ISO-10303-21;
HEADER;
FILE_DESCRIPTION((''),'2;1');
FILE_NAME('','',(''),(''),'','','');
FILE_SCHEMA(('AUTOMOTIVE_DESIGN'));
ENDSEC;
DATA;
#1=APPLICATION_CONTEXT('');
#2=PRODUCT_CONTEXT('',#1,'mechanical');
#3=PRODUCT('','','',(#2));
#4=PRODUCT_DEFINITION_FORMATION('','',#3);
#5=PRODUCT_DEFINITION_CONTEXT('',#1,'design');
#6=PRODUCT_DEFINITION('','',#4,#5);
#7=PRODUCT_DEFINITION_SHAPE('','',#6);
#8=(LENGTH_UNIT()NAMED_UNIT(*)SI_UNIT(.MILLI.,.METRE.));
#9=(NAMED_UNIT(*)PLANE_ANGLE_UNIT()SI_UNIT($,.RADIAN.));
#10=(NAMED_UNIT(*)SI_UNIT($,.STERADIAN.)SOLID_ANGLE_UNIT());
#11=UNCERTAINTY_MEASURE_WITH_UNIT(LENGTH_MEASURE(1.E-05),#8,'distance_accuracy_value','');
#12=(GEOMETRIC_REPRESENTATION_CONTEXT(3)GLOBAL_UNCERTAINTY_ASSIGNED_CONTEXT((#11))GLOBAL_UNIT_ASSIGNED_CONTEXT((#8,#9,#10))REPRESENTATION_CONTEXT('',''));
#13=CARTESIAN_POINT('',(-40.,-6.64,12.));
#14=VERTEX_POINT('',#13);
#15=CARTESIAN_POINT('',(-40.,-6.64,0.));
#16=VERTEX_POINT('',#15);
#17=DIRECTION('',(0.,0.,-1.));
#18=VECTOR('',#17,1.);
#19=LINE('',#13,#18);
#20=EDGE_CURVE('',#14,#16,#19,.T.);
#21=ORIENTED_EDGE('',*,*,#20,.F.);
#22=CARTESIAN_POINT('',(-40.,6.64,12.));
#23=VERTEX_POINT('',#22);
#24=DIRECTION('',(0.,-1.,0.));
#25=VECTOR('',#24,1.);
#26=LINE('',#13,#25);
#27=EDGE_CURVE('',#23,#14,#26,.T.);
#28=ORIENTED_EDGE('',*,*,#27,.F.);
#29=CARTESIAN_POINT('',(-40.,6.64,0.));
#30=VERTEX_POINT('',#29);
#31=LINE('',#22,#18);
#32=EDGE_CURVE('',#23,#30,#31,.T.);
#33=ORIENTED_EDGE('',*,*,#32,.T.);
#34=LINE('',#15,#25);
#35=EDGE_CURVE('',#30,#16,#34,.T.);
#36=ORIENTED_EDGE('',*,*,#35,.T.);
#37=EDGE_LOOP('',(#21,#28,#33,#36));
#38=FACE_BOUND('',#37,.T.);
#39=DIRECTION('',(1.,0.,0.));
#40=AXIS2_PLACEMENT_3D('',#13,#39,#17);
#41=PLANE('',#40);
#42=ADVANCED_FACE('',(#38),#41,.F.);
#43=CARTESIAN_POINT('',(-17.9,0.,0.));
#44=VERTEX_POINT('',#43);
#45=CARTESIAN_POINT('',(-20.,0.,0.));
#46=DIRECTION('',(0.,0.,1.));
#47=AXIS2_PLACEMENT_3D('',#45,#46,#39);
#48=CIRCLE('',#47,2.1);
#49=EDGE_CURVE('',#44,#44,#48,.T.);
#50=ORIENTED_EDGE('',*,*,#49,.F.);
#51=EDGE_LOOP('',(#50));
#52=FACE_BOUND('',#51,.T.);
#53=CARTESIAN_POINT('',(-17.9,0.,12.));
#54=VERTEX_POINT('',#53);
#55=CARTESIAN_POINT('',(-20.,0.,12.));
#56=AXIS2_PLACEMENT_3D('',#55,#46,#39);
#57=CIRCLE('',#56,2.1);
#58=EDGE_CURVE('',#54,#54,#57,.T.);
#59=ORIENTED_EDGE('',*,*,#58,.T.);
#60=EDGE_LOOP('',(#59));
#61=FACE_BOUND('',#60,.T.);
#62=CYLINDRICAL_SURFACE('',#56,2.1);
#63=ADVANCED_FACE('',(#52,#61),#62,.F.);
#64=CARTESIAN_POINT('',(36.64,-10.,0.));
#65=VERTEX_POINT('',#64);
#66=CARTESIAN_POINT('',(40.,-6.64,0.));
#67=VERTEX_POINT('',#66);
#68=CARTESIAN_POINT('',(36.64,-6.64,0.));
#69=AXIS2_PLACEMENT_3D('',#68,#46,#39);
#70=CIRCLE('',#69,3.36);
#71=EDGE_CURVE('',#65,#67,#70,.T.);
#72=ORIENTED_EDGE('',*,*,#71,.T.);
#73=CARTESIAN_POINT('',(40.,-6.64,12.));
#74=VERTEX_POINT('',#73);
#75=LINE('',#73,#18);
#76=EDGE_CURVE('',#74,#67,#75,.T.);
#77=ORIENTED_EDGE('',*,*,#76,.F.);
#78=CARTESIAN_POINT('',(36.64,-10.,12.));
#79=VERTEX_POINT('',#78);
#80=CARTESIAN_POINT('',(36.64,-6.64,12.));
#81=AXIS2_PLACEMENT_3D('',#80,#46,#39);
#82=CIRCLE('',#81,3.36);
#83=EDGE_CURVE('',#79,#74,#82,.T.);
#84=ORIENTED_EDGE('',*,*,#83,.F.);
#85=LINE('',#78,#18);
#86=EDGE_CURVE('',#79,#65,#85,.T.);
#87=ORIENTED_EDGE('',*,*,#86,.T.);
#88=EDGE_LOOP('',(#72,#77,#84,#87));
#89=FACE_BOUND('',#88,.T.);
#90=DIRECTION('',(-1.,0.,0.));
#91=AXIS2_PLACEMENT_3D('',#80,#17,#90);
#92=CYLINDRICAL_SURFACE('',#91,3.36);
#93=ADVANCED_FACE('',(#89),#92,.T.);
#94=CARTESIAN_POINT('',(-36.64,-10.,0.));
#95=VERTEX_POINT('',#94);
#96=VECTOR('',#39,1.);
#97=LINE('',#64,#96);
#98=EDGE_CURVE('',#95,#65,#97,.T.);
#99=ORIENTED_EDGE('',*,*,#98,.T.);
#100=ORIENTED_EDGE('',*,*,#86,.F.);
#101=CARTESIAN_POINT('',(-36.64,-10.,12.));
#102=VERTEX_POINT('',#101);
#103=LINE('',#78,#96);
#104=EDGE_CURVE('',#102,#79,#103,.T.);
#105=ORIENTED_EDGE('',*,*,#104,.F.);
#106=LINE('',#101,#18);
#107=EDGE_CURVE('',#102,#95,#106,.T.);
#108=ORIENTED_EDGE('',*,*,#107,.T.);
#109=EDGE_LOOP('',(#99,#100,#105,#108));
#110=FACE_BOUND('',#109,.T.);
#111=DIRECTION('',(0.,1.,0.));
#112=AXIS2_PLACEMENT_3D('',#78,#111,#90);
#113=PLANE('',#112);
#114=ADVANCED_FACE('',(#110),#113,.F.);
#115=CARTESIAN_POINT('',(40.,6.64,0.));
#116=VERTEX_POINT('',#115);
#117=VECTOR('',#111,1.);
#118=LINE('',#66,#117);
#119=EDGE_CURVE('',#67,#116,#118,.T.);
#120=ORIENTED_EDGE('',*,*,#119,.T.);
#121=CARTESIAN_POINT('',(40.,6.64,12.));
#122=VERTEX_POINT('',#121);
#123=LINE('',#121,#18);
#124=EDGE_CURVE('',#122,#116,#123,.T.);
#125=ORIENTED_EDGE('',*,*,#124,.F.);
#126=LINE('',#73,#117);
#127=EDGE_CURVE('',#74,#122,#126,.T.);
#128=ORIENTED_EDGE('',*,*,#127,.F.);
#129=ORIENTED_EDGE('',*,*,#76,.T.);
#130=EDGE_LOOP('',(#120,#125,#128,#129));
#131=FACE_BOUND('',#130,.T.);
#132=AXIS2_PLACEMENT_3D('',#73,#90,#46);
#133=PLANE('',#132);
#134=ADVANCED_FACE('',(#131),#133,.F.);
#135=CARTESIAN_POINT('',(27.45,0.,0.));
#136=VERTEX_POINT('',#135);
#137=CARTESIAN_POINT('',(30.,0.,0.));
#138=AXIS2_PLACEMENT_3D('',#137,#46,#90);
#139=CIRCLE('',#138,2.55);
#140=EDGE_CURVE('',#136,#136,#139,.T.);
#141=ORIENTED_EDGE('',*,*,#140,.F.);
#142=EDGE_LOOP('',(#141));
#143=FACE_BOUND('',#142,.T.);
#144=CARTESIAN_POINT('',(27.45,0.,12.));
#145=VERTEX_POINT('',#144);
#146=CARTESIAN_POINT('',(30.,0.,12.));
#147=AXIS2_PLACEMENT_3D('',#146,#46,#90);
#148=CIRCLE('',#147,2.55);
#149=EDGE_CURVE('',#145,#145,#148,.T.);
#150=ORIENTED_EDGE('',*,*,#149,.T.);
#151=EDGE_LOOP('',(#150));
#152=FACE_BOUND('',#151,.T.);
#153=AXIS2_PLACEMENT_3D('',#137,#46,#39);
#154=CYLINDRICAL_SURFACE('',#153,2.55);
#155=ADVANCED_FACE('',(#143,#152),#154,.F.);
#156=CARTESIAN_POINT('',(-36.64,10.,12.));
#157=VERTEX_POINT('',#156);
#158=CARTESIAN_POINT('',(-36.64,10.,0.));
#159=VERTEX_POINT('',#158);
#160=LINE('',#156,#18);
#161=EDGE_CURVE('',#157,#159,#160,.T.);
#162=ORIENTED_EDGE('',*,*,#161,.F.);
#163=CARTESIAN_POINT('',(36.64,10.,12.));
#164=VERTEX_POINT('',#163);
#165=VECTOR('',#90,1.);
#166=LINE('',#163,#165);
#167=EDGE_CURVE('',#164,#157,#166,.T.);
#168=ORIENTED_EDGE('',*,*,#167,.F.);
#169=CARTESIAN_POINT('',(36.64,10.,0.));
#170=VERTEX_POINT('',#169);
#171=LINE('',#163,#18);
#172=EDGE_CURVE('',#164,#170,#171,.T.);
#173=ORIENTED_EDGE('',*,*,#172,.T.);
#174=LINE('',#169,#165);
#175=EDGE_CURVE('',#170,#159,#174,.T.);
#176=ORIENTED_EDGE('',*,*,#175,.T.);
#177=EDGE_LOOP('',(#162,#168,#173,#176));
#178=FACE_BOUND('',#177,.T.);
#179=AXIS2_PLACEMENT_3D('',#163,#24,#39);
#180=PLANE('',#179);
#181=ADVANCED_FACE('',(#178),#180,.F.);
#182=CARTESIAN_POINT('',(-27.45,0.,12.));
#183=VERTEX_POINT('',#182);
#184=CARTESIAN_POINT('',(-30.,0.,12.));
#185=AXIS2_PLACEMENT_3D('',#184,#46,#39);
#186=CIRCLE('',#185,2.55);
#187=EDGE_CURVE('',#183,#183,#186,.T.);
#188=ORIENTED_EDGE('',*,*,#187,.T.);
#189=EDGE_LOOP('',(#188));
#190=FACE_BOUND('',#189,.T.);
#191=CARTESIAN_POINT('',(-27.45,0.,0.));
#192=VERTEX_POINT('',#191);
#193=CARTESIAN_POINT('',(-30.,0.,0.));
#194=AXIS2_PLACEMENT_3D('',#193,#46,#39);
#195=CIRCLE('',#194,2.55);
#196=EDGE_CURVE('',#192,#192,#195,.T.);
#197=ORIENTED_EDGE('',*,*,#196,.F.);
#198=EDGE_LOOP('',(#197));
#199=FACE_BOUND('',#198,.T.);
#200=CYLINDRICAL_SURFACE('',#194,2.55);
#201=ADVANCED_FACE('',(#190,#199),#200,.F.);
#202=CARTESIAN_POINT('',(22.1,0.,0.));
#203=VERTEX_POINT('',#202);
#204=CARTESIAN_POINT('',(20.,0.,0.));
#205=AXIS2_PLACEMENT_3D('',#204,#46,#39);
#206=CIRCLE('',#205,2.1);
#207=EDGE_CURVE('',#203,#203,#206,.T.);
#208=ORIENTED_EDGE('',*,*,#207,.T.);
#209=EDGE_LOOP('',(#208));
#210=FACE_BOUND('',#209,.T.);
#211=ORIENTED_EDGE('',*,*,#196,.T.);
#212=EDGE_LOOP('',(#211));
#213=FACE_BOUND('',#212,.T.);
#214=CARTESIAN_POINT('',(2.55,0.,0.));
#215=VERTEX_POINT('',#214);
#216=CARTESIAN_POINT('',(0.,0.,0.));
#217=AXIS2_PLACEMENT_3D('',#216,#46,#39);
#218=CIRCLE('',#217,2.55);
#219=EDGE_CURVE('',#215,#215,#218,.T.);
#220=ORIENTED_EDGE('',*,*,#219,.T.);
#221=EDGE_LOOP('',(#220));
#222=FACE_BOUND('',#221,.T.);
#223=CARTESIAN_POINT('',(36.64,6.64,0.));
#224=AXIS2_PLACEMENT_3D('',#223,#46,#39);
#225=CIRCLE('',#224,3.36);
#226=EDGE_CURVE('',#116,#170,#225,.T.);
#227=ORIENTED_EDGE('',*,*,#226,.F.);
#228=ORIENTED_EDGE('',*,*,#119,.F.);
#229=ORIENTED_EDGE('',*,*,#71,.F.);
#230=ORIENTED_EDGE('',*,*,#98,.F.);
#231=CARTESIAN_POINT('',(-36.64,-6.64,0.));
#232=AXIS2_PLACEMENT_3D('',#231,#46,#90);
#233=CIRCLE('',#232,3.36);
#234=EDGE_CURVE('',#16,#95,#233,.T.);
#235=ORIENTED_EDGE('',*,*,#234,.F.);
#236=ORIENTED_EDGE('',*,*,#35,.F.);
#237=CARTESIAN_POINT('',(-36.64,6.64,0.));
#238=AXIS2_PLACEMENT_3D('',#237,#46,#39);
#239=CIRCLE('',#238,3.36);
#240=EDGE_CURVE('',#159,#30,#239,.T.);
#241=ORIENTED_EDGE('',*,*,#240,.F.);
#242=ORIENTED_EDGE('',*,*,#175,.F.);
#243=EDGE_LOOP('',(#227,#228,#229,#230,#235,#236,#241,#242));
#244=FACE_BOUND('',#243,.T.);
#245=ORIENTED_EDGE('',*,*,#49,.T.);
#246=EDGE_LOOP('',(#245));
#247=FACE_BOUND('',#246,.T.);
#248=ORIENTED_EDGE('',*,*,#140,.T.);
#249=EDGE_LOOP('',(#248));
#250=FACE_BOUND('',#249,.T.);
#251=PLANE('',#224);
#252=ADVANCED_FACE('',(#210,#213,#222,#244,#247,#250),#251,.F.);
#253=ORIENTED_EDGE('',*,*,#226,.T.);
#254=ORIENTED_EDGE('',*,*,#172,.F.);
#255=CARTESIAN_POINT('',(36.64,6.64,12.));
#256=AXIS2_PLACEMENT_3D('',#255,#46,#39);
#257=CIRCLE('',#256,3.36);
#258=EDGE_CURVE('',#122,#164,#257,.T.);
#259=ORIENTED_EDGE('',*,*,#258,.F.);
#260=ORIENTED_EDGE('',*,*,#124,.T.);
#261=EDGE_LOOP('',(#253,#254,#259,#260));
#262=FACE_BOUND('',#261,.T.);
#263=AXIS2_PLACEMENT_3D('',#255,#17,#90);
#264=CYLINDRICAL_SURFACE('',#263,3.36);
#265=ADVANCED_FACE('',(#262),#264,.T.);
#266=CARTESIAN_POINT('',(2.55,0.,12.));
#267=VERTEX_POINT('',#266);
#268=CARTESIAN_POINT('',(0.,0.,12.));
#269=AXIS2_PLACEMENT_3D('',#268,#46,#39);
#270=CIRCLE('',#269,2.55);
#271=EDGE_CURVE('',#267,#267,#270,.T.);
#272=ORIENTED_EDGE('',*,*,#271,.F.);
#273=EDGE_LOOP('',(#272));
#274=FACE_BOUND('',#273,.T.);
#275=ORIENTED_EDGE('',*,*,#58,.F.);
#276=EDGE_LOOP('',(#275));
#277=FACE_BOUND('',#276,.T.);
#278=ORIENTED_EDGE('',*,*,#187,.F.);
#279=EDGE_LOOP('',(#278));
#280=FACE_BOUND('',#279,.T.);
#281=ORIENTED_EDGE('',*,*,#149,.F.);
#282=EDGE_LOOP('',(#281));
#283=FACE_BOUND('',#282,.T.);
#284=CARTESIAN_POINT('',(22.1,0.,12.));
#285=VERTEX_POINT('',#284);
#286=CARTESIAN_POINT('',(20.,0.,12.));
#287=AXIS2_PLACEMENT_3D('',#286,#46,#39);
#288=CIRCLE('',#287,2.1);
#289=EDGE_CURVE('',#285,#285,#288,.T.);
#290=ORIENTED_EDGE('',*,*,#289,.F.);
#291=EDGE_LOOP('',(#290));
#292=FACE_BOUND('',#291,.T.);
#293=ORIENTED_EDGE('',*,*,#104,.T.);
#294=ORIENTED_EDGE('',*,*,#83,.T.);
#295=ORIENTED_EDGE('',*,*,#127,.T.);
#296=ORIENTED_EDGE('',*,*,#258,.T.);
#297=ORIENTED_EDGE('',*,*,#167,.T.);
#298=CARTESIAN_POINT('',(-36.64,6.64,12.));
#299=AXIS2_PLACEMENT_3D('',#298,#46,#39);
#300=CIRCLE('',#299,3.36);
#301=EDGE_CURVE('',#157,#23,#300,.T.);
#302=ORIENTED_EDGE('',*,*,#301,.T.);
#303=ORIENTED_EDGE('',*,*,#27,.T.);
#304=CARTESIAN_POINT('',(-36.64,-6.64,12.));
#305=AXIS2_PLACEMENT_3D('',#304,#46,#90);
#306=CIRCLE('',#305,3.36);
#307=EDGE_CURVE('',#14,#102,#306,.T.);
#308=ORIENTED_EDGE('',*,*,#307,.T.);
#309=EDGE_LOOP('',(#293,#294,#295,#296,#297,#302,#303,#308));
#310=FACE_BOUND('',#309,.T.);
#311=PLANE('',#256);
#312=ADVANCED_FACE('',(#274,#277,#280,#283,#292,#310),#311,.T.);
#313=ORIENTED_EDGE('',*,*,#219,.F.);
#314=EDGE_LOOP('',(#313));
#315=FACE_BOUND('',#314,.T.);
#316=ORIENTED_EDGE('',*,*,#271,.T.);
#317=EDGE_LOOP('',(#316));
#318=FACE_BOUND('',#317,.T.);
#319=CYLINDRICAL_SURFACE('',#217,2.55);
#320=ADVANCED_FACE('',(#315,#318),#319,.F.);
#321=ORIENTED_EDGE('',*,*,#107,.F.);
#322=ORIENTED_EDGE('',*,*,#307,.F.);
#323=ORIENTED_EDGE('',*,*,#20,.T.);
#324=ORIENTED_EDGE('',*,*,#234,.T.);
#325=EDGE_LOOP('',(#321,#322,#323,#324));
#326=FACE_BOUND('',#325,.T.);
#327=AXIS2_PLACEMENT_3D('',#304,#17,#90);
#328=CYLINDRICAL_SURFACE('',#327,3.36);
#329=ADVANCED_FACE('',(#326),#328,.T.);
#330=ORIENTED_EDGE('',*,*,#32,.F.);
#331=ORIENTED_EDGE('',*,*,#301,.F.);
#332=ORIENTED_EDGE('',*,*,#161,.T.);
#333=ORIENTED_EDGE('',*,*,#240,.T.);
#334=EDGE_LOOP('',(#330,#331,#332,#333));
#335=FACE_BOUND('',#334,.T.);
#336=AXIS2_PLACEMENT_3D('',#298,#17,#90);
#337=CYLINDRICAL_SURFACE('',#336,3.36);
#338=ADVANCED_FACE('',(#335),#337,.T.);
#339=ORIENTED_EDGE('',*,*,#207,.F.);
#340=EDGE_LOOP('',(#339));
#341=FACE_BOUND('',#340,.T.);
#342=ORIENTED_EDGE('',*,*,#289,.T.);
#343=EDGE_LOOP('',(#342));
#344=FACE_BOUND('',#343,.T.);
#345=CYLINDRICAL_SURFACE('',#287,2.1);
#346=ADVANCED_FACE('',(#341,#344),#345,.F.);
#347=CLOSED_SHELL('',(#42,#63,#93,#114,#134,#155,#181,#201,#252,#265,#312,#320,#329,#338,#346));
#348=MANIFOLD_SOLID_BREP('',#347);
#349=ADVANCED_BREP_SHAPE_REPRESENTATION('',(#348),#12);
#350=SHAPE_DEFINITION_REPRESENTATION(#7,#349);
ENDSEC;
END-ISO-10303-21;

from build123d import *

# Parameters (mm, degrees)
BOSS_EXTRUDE1_DEPTH   = 12
SKETCH3_R             = 2.55
CUT_EXTRUDE2_DEPTH    = 43.941821107
M5X0_8_TAPPED_HOLE1_D = 4.2


with BuildPart() as part:
    # Sketch1 → Boss-Extrude1 (new body)
    with BuildSketch(Plane.XY):
        with BuildLine():
            Line((36.64, -10), (-36.64, -10))
            ThreePointArc((-36.64, -10), (-39.015878785, -9.015878785), (-40, -6.64))
            Line((-40, -6.64), (-40, 6.64))
            ThreePointArc((-40, 6.64), (-39.015878785, 9.015878785), (-36.64, 10))
            Line((-36.64, 10), (36.64, 10))
            ThreePointArc((36.64, 10), (39.015878785, 9.015878785), (40, 6.64))
            Line((40, 6.64), (40, -6.64))
            ThreePointArc((40, -6.64), (39.015878785, -9.015878785), (36.64, -10))
        make_face()
    extrude(amount=BOSS_EXTRUDE1_DEPTH)

    # Sketch3 → Cut-Extrude2 (cut, through all)
    with BuildSketch(Plane.XY.offset(12)):
        with Locations((-30, 0)):
            Circle(SKETCH3_R)
        with Locations(Location((30, 0, 0), (0, 0, 180))):
            Circle(SKETCH3_R)
        Circle(SKETCH3_R)
    extrude(amount=-CUT_EXTRUDE2_DEPTH, mode=Mode.SUBTRACT)

    # M5x0.8 Tapped Hole1 (through all)
    with Locations(Plane.XY.offset(12)):
        with Locations((-20, 0), (20, 0)):
            Hole(M5X0_8_TAPPED_HOLE1_D / 2)


solid = part.part
